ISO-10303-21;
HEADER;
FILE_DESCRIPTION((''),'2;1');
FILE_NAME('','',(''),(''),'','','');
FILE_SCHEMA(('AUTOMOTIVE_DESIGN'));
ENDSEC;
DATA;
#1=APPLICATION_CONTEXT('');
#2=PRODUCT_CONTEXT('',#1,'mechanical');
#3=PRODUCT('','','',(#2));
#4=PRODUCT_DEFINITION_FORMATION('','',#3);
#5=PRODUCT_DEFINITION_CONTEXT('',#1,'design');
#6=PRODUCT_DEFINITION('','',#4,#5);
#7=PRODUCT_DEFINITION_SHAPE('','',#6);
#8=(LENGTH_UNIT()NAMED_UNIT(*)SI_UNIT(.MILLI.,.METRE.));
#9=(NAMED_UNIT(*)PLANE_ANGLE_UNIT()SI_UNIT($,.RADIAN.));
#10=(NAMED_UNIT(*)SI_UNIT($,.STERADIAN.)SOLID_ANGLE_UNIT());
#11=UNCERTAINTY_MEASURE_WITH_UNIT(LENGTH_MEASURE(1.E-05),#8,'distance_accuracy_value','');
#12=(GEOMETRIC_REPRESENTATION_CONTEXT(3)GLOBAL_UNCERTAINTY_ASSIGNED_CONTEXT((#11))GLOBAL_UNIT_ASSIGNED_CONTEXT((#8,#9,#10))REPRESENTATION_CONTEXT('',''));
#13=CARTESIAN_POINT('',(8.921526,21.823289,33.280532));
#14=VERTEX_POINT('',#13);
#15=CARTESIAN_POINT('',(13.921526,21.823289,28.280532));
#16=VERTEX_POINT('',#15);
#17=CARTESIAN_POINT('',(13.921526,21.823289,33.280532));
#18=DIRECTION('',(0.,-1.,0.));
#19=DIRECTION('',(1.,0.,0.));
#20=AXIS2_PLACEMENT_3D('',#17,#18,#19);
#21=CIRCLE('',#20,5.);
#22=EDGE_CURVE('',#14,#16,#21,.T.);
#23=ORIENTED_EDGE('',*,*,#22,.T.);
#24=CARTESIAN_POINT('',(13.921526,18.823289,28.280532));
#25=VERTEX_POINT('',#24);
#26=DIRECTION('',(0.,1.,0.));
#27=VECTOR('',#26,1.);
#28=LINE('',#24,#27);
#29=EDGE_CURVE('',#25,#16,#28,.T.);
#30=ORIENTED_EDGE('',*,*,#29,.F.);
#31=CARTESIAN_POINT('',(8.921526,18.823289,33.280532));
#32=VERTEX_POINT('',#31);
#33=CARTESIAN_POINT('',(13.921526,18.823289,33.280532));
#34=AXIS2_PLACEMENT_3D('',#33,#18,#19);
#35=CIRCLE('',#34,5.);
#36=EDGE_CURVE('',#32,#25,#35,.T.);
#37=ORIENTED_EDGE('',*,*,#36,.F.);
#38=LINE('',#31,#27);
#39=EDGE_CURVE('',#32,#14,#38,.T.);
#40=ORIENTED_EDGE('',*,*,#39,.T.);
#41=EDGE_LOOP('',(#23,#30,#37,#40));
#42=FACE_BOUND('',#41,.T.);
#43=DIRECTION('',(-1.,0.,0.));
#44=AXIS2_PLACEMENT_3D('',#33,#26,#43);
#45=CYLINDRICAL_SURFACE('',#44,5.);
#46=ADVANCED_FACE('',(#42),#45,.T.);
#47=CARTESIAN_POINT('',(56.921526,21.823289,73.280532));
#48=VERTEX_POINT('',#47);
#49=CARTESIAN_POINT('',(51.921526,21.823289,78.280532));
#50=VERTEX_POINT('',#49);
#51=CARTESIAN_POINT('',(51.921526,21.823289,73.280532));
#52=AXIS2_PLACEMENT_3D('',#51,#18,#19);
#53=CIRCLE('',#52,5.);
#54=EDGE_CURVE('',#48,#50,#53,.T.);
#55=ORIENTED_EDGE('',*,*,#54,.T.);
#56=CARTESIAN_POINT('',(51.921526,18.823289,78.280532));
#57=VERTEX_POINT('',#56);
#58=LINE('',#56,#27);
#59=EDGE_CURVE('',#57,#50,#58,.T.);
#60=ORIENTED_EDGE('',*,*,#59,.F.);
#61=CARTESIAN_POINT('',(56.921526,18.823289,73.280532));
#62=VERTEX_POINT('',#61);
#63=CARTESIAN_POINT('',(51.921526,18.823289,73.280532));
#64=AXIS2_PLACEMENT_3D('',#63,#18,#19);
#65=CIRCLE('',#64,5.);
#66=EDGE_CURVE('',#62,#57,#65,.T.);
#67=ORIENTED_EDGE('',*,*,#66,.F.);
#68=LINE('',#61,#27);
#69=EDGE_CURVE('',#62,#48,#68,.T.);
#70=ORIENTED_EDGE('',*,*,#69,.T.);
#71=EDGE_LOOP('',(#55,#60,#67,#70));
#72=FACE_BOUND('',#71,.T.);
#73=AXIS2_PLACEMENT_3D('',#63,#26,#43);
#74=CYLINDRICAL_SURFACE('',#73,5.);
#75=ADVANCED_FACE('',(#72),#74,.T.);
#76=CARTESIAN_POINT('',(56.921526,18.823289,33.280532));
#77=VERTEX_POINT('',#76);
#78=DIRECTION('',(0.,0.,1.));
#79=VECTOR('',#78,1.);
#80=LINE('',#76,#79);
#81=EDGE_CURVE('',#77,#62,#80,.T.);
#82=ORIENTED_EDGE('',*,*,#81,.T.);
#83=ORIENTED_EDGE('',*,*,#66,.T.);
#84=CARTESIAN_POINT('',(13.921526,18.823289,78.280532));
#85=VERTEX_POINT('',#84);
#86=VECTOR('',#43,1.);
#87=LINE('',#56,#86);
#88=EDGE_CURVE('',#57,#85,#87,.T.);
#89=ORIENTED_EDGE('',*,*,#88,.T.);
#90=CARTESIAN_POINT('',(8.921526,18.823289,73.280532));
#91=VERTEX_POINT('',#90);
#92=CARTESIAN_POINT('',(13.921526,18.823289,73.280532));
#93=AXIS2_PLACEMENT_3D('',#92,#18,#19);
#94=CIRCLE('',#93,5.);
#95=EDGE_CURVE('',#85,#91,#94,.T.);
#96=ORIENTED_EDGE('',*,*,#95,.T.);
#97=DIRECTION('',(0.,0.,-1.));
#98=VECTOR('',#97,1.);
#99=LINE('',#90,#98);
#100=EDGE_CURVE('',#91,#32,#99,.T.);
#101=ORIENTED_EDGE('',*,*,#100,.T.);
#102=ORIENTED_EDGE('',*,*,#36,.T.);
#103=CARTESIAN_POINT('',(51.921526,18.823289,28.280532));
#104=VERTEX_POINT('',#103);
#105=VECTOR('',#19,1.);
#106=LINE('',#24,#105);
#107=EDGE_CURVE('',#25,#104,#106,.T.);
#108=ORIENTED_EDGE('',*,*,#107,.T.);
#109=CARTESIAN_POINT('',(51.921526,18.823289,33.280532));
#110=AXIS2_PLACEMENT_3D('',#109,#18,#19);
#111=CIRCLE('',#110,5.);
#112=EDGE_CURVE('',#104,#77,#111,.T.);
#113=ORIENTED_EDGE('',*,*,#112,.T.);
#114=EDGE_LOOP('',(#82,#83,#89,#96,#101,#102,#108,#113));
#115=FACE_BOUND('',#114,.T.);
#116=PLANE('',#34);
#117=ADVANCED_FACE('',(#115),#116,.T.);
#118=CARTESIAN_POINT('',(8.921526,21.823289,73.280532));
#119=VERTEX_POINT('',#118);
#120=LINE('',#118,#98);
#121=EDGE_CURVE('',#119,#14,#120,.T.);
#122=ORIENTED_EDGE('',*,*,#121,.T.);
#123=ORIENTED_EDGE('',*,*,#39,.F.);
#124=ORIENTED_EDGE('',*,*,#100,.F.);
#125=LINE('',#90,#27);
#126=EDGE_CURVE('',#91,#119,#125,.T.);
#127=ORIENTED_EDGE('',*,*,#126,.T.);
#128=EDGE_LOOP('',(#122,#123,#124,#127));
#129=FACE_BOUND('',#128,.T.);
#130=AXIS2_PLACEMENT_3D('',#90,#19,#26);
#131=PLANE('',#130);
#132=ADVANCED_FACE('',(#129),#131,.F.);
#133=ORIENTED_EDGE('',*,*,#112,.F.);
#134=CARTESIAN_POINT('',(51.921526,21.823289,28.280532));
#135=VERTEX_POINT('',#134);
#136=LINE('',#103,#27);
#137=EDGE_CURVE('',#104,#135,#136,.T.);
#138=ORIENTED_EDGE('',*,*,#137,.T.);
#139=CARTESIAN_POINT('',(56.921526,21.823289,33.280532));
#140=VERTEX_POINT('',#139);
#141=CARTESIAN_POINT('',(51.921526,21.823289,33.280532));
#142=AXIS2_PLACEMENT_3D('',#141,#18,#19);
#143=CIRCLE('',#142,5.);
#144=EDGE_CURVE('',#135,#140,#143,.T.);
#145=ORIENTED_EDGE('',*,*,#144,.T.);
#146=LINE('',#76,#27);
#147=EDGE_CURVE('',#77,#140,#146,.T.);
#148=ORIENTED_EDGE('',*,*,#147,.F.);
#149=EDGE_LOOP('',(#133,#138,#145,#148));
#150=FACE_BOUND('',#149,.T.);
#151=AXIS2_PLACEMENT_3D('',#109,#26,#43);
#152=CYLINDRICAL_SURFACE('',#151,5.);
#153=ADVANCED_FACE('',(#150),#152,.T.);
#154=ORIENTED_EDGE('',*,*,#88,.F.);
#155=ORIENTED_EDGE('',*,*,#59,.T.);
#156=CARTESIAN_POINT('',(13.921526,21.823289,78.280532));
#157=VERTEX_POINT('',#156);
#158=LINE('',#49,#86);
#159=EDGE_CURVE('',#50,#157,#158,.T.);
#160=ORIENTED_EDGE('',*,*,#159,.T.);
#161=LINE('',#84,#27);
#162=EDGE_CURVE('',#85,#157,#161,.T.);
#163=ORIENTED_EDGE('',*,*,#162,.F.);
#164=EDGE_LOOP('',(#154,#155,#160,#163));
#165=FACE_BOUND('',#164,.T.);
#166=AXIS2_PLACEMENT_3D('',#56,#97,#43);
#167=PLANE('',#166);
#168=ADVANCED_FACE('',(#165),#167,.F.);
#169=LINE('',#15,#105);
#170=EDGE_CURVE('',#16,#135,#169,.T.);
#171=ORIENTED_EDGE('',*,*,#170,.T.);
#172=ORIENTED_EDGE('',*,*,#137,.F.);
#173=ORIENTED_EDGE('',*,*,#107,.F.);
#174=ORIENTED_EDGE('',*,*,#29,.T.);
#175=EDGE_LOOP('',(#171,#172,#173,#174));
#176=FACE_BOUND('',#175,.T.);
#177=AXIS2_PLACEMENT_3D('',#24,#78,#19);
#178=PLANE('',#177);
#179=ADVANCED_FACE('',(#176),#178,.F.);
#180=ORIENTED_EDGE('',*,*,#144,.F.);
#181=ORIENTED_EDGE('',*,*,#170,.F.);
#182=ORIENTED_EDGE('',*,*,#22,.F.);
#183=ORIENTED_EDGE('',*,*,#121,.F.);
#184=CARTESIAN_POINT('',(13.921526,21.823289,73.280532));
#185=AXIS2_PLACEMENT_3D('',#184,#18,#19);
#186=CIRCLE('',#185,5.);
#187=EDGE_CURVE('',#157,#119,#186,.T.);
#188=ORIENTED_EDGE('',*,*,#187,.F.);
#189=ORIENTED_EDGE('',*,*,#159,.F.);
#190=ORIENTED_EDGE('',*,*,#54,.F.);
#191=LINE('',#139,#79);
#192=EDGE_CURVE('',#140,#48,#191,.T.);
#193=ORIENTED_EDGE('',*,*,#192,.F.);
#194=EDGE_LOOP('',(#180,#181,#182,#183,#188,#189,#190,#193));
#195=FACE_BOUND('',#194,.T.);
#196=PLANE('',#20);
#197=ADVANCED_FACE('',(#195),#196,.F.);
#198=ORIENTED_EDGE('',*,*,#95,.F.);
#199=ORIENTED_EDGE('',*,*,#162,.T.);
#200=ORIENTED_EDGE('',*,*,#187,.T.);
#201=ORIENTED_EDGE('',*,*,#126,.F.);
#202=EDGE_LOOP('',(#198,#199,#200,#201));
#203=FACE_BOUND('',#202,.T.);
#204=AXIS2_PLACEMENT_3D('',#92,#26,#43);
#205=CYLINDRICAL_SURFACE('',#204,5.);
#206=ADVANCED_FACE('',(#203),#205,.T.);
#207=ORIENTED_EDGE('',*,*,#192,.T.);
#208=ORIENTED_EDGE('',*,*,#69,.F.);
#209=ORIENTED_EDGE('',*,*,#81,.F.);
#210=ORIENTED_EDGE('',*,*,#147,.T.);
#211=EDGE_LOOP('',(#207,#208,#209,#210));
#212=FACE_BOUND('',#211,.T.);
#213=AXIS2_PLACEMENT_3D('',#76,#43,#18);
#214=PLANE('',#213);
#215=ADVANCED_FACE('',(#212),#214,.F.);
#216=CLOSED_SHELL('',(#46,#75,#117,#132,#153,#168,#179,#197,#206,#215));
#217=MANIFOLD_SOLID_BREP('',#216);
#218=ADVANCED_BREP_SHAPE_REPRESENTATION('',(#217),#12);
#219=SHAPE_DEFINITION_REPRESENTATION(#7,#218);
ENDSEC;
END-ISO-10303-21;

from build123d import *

# Parameters (mm, degrees)
BOSS_EXTRUDE1_DEPTH = 3


with BuildPart() as part:
    # Sketch1 → Boss-Extrude1 (new body)
    with BuildSketch(Plane.XZ.offset(-21.823289438)):
        with BuildLine():
            Line((13.921525611, 28.280531955), (51.921525611, 28.280531955))
            ThreePointArc((51.921525611, 28.280531955), (55.457059517, 29.744998049), (56.921525611, 33.280531955))
            Line((56.921525611, 33.280531955), (56.921525611, 73.280531955))
            ThreePointArc((56.921525611, 73.280531955), (55.457059517, 76.816065861), (51.921525611, 78.280531955))
            Line((51.921525611, 78.280531955), (13.921525611, 78.280531955))
            ThreePointArc((13.921525611, 78.280531955), (10.385991705, 76.816065861), (8.921525611, 73.280531955))
            Line((8.921525611, 73.280531955), (8.921525611, 33.280531955))
            ThreePointArc((8.921525611, 33.280531955), (10.385991705, 29.744998049), (13.921525611, 28.280531955))
        make_face()
    extrude(amount=BOSS_EXTRUDE1_DEPTH)


solid = part.part
